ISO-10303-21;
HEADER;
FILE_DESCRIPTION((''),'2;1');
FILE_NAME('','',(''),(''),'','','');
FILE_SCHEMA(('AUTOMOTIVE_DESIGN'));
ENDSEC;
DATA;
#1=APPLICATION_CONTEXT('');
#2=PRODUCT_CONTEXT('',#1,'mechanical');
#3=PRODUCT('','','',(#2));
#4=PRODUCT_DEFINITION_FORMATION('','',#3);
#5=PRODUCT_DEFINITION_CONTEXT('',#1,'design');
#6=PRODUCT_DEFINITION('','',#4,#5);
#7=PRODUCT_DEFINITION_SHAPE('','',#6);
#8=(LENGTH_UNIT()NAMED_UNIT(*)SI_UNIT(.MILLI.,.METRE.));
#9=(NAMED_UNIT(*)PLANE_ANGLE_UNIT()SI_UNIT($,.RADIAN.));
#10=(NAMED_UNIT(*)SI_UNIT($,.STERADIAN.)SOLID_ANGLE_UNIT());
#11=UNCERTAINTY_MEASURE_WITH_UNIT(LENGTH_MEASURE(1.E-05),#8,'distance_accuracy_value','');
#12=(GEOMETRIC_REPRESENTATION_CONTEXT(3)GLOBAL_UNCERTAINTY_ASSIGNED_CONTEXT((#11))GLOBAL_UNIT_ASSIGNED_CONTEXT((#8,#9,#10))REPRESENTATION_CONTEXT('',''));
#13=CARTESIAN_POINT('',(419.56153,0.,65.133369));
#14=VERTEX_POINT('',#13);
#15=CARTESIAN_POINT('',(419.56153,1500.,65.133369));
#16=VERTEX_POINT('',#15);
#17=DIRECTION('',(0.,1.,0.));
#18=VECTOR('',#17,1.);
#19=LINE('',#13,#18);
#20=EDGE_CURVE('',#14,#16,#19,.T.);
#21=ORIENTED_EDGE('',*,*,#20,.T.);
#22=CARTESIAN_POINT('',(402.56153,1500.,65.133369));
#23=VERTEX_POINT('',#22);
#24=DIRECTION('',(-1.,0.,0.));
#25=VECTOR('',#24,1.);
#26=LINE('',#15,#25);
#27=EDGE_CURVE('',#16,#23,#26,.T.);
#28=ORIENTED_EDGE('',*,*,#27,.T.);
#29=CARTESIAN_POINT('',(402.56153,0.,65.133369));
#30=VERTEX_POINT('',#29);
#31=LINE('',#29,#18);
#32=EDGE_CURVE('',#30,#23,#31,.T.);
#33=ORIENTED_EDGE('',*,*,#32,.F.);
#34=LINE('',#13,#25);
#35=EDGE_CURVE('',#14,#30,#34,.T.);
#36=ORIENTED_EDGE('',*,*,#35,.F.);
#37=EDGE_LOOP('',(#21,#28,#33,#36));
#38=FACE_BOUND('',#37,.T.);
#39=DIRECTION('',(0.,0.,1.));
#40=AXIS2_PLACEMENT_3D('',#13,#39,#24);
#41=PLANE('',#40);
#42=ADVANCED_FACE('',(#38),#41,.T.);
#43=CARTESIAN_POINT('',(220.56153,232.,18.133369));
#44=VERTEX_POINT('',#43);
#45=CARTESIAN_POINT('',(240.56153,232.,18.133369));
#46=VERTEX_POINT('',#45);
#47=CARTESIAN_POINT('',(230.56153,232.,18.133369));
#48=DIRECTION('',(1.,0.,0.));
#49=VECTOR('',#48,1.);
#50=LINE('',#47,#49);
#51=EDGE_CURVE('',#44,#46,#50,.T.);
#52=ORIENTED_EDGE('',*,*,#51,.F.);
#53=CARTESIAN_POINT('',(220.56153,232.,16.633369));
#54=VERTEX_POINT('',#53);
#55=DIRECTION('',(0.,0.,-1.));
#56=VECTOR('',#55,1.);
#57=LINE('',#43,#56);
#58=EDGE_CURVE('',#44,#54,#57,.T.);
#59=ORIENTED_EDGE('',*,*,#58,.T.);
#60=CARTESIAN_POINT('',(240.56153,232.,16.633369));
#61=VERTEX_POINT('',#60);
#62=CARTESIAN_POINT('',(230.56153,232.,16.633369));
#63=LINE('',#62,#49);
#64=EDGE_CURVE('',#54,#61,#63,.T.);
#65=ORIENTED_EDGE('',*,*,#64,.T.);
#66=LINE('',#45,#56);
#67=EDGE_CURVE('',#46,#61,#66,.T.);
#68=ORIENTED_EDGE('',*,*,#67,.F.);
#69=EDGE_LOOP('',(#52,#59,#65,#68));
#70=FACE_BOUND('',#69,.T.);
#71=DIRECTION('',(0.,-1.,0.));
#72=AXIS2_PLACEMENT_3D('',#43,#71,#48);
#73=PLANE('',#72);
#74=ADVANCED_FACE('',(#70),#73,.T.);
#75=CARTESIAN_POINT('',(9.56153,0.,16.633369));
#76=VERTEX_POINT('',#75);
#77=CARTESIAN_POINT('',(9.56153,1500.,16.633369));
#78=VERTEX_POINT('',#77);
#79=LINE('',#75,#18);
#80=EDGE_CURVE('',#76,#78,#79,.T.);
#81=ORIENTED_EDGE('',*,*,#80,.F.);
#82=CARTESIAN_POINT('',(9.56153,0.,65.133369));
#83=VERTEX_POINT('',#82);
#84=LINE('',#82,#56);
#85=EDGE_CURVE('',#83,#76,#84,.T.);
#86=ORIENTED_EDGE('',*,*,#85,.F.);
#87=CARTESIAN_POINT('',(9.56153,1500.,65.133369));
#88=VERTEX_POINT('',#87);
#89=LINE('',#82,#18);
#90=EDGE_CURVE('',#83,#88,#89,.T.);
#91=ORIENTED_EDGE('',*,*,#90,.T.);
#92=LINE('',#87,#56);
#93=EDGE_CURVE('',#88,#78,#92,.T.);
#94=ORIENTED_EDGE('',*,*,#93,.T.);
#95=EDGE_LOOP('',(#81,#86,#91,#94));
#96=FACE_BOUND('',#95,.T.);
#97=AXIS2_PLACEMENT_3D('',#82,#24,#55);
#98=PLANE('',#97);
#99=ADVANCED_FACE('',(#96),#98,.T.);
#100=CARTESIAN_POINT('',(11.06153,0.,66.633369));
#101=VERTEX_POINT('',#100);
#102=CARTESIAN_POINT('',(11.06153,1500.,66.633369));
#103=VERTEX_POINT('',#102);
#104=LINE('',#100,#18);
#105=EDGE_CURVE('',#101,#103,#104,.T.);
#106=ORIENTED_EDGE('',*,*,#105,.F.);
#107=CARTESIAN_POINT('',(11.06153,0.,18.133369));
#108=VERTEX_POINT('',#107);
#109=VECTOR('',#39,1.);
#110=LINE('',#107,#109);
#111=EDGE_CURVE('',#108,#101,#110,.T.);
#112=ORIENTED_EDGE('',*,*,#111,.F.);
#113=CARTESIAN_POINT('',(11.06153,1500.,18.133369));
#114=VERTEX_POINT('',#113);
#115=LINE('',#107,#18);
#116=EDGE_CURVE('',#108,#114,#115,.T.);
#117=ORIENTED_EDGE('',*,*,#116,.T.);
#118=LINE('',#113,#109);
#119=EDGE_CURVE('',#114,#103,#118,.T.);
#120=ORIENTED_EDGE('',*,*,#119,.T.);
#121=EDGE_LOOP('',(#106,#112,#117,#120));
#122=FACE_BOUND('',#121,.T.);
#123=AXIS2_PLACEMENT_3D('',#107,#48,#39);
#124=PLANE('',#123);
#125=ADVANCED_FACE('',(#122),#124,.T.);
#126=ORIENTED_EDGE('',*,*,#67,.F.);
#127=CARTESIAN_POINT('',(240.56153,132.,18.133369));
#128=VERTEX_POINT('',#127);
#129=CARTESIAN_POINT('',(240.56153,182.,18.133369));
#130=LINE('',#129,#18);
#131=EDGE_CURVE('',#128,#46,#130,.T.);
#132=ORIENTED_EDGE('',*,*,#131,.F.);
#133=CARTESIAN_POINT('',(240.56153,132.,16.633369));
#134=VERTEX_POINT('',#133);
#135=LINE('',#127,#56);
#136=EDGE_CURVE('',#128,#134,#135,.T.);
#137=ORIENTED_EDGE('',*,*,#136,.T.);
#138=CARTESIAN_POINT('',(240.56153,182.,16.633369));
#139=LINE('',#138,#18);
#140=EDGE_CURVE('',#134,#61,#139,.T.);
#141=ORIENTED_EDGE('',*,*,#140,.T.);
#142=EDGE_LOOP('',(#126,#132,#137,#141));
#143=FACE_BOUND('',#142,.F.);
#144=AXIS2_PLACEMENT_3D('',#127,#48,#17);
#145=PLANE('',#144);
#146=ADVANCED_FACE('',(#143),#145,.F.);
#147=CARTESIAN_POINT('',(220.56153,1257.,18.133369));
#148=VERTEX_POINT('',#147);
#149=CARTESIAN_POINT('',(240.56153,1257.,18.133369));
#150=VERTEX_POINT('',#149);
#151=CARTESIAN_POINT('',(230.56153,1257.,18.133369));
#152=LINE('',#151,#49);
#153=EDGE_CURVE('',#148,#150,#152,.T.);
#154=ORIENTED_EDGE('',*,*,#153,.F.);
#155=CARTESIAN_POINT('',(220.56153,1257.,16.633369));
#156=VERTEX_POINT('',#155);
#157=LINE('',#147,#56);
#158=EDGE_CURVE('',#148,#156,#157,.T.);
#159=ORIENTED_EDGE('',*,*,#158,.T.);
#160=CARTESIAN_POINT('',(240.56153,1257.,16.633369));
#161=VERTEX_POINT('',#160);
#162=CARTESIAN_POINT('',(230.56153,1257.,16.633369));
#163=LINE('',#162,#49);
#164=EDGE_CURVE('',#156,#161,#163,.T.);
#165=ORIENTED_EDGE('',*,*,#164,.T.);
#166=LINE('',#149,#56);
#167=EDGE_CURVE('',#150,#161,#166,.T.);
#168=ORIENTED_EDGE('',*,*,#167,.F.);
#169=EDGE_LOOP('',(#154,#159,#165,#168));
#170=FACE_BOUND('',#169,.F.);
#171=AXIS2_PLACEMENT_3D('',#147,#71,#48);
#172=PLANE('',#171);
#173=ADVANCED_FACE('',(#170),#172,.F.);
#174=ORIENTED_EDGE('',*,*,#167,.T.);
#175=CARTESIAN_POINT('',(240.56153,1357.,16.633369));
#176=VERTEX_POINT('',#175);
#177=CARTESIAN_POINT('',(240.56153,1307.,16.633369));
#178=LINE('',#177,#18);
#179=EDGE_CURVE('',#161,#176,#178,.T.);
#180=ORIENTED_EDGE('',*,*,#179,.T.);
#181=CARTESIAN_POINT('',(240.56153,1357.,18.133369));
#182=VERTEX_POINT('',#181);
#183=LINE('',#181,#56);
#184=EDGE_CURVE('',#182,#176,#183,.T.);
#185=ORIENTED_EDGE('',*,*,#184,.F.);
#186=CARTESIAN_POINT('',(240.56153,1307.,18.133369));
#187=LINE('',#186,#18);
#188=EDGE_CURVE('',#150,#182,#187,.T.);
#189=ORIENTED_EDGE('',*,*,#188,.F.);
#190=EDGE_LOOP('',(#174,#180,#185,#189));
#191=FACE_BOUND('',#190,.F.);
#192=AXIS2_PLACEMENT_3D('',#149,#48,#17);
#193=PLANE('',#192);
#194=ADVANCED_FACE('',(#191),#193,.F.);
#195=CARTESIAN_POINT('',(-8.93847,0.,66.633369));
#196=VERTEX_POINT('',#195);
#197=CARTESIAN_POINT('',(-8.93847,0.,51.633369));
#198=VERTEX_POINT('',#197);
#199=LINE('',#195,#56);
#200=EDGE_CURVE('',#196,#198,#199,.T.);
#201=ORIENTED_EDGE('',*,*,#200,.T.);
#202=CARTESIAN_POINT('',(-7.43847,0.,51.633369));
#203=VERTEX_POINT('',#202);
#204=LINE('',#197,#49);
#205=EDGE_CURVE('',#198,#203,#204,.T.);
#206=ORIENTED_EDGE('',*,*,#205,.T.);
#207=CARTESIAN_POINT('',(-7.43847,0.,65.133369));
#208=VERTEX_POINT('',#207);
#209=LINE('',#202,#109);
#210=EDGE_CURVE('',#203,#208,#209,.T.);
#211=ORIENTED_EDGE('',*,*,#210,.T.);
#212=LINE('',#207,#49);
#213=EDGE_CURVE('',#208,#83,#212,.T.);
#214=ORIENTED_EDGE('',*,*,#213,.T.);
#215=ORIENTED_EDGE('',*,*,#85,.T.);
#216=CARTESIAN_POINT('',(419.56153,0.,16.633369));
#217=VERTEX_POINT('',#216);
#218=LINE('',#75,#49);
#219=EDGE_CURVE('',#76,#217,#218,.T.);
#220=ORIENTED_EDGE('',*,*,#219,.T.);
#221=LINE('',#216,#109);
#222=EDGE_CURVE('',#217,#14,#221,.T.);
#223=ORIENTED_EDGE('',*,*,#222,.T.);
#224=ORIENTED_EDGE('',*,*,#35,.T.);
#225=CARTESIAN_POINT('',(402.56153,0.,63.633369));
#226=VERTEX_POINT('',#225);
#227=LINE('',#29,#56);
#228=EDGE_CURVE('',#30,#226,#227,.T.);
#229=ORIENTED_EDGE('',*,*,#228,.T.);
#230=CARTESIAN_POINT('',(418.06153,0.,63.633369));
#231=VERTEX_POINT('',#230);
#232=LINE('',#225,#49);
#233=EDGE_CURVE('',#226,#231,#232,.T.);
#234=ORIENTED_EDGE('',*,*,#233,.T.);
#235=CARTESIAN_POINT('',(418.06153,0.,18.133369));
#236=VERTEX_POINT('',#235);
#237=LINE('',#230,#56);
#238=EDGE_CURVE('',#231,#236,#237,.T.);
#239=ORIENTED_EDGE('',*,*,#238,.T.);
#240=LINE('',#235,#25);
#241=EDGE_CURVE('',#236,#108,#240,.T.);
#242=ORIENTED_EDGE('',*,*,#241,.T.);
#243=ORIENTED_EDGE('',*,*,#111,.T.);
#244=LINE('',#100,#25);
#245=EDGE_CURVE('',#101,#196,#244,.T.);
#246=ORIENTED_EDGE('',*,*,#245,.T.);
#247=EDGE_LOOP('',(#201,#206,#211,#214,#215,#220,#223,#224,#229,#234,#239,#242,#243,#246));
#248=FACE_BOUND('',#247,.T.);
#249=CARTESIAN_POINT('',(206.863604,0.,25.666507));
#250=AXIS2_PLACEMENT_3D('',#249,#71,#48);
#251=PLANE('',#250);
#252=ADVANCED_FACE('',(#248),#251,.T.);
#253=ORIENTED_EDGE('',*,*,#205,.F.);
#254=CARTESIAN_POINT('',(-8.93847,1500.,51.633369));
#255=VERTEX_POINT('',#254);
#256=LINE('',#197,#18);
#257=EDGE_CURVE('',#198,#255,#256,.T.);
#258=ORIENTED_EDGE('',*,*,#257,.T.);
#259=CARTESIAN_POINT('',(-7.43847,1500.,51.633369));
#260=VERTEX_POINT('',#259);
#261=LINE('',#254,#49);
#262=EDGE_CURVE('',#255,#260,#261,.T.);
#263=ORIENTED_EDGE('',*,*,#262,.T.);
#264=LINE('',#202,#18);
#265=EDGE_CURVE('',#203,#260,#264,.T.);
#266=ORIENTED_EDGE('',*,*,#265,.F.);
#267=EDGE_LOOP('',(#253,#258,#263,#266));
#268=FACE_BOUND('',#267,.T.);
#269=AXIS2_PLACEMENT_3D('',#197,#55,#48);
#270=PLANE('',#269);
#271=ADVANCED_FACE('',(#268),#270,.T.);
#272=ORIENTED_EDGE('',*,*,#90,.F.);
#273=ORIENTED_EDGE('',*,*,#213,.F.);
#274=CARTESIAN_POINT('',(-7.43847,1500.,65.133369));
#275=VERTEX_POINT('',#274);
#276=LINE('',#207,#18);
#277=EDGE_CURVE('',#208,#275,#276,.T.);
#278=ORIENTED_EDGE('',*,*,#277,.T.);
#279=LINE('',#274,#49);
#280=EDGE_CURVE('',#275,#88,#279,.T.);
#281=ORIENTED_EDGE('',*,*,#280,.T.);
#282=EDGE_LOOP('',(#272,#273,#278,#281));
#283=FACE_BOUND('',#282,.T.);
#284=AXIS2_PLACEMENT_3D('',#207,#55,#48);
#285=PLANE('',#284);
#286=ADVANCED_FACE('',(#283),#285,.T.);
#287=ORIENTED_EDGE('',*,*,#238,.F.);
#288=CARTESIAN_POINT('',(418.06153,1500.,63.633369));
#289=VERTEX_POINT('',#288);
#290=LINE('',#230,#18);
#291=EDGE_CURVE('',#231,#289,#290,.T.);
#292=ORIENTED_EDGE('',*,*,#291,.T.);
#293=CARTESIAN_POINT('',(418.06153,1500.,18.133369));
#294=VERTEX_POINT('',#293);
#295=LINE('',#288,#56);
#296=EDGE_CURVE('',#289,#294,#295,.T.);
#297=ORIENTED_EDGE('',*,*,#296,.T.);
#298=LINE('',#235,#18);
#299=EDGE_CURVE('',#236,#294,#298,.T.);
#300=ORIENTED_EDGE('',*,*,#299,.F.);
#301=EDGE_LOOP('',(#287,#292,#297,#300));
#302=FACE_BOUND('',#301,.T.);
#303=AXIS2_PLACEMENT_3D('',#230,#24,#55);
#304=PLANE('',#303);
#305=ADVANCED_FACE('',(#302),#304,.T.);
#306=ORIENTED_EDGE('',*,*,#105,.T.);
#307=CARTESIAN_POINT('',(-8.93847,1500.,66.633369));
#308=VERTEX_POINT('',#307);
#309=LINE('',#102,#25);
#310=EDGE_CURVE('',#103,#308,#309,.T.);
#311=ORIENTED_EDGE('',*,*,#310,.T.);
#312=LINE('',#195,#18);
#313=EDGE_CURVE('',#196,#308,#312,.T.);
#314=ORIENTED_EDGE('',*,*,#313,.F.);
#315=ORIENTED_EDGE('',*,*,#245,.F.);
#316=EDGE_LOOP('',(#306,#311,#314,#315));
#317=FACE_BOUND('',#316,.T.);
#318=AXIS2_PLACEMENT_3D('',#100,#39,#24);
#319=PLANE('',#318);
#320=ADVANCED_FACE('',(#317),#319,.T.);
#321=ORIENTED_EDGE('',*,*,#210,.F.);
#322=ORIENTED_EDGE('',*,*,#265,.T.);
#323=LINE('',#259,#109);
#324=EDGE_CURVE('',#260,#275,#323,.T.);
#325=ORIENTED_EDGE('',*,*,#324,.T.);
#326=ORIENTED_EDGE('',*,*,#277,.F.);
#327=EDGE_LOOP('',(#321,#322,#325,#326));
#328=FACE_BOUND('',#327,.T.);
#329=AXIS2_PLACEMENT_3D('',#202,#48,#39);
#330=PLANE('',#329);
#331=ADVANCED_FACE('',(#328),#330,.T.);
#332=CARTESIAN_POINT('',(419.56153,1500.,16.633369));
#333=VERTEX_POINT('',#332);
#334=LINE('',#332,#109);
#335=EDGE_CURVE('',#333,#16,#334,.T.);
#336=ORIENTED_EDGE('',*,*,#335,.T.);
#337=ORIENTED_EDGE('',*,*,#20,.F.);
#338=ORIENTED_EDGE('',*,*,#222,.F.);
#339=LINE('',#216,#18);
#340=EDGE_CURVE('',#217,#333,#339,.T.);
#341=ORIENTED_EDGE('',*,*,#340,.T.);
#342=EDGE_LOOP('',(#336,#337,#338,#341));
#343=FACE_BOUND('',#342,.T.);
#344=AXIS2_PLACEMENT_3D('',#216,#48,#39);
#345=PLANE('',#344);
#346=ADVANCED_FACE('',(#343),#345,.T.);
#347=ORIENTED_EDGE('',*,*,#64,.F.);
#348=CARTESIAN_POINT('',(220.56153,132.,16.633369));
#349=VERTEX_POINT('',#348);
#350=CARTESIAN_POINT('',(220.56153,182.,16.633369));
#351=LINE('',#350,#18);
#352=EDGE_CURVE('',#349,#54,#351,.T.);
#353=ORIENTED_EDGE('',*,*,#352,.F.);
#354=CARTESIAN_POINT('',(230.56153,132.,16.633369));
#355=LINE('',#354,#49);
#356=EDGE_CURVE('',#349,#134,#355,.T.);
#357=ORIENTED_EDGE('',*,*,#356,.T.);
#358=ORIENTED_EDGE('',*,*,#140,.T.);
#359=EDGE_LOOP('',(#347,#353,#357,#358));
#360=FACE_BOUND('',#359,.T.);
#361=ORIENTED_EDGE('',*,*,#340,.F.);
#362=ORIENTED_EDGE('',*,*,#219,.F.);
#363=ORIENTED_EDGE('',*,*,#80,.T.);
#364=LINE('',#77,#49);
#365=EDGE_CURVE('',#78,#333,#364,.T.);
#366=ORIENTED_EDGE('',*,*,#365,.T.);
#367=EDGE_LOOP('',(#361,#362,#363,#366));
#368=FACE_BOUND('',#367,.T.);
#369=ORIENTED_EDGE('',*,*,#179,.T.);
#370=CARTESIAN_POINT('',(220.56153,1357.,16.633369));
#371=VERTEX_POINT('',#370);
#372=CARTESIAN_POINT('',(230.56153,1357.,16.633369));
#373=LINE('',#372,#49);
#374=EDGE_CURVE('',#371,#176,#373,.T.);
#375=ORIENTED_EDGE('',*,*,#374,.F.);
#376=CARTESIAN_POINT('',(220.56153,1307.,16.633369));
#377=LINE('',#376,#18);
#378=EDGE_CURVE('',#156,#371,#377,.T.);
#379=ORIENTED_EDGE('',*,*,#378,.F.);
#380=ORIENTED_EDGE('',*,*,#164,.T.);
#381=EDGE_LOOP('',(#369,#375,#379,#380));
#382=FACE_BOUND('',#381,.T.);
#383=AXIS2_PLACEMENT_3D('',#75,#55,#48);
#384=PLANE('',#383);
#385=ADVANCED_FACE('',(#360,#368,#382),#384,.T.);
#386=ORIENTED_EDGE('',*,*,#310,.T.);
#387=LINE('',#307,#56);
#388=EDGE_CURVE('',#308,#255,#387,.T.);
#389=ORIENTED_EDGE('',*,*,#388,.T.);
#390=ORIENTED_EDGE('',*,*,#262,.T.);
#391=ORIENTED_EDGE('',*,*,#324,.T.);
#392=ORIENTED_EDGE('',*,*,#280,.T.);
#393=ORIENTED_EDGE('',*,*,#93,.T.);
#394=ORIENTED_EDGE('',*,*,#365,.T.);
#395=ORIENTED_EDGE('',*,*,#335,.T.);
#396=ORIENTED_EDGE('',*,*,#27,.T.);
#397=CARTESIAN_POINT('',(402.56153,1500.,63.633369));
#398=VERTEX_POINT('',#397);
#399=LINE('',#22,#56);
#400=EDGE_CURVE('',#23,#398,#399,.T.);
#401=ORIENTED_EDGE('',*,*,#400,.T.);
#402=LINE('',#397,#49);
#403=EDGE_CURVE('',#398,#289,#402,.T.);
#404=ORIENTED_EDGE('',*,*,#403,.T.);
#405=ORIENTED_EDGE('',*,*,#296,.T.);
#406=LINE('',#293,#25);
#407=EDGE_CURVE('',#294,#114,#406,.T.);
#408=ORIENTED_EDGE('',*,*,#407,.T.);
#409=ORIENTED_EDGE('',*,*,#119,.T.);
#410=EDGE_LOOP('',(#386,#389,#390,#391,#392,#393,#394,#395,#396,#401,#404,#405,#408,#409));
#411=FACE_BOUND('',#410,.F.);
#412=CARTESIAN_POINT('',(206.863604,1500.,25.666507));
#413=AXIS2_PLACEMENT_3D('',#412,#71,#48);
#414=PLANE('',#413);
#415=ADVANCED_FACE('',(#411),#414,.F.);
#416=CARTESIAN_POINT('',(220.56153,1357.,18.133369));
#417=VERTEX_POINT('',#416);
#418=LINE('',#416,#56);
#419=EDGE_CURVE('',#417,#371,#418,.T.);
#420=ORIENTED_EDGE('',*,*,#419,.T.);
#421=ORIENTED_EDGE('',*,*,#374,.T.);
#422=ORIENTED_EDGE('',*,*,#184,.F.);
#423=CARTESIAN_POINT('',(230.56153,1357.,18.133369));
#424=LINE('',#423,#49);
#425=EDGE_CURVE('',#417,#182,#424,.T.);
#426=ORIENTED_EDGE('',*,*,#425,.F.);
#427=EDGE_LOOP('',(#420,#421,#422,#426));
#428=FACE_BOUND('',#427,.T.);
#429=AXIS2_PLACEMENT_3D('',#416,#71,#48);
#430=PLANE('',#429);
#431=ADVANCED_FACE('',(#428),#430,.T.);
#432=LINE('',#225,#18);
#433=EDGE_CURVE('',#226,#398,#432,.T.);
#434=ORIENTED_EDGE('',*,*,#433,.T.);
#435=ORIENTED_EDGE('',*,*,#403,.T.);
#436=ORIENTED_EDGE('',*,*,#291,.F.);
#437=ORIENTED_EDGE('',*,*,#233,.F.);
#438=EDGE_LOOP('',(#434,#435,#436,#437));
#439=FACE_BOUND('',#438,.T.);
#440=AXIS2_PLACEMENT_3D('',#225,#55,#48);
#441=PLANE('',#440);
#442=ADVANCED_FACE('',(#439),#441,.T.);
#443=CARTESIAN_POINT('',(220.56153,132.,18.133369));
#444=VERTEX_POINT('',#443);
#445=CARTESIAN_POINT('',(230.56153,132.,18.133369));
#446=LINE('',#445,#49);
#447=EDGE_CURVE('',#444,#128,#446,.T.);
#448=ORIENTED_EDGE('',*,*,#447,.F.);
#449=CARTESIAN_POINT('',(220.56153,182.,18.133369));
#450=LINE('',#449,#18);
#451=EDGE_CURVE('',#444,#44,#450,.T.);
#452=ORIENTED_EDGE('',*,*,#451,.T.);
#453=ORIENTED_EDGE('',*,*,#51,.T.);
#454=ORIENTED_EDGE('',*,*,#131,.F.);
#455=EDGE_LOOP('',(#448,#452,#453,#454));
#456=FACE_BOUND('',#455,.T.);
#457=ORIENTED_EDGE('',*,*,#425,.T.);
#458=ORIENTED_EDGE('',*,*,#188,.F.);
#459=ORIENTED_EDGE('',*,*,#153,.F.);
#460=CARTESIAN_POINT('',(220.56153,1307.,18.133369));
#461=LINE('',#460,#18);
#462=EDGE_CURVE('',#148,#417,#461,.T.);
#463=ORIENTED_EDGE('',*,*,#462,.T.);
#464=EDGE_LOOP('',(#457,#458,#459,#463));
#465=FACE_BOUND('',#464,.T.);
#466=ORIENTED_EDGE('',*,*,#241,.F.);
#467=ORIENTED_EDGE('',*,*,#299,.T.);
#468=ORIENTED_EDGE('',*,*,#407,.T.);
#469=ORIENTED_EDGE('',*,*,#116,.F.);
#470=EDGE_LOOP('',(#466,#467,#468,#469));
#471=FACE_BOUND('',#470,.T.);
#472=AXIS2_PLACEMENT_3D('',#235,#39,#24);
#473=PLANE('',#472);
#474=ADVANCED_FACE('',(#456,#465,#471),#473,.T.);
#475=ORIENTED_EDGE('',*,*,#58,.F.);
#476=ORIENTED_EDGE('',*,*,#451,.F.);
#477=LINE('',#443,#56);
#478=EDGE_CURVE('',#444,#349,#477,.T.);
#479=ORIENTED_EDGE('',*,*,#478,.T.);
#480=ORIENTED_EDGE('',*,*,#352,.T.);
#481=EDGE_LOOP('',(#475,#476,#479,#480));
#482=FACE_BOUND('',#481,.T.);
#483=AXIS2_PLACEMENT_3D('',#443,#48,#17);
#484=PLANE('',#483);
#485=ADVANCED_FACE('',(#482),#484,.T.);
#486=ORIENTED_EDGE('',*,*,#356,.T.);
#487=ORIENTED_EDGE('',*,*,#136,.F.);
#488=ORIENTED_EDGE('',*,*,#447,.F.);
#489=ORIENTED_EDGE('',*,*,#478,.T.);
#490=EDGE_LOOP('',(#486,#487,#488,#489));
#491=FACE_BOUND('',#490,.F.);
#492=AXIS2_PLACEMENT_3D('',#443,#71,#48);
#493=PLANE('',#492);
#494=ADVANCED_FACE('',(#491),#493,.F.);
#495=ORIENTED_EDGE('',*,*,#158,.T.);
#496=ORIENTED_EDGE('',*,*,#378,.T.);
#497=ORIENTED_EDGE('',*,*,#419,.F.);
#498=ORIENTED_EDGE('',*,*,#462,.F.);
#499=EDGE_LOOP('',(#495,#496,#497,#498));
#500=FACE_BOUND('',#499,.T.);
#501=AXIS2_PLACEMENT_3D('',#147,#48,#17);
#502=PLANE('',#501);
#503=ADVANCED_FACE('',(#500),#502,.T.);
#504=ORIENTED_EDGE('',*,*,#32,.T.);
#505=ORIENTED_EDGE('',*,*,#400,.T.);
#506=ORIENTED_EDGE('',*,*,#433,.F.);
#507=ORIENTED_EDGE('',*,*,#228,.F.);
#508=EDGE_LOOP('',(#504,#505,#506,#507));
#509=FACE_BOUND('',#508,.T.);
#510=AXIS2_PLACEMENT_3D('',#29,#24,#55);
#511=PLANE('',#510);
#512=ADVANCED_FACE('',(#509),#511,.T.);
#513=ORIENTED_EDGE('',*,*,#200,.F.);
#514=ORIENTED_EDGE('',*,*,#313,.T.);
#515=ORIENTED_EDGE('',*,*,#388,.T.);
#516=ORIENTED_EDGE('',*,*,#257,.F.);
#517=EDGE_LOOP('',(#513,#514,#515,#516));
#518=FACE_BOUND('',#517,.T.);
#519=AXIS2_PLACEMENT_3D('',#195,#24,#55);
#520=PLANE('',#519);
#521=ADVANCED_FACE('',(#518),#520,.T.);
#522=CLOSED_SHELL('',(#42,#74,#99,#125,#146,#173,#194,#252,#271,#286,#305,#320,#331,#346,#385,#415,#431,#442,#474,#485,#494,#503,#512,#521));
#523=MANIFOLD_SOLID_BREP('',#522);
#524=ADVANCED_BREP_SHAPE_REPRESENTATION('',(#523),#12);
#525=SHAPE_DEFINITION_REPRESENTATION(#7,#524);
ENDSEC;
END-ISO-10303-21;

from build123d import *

# Parameters (mm, degrees)
F1_DEPTH = 1500
F2_W     = 20
F2_H     = 100
F3_DEPTH = 1.5


with BuildPart() as f1:
    # F0 (on Front) → F1 (new body)
    with BuildSketch(Plane.XZ):
        Polygon((9.56153, 65.133369), (9.56153, 16.633369), (419.56153, 16.633369), (419.56153, 65.133369), (402.56153, 65.133369), (402.56153, 63.633369), (418.06153, 63.633369), (418.06153, 18.133369), (11.06153, 18.133369), (11.06153, 66.633369), (-8.93847, 66.633369), (-8.93847, 51.633369), (-7.43847, 51.633369), (-7.43847, 65.133369), align=None)
    extrude(amount=-F1_DEPTH)

    # F2 (on face) → F3 (cut, through all)
    with BuildSketch(Plane.XY.offset(18.133369)):
        with Locations((230.56153, 182)):
            Rectangle(F2_W, F2_H)
        with Locations((230.56153, 1307)):
            Rectangle(F2_W, F2_H)
    extrude(amount=-F3_DEPTH, mode=Mode.SUBTRACT)


solid = f1.part
